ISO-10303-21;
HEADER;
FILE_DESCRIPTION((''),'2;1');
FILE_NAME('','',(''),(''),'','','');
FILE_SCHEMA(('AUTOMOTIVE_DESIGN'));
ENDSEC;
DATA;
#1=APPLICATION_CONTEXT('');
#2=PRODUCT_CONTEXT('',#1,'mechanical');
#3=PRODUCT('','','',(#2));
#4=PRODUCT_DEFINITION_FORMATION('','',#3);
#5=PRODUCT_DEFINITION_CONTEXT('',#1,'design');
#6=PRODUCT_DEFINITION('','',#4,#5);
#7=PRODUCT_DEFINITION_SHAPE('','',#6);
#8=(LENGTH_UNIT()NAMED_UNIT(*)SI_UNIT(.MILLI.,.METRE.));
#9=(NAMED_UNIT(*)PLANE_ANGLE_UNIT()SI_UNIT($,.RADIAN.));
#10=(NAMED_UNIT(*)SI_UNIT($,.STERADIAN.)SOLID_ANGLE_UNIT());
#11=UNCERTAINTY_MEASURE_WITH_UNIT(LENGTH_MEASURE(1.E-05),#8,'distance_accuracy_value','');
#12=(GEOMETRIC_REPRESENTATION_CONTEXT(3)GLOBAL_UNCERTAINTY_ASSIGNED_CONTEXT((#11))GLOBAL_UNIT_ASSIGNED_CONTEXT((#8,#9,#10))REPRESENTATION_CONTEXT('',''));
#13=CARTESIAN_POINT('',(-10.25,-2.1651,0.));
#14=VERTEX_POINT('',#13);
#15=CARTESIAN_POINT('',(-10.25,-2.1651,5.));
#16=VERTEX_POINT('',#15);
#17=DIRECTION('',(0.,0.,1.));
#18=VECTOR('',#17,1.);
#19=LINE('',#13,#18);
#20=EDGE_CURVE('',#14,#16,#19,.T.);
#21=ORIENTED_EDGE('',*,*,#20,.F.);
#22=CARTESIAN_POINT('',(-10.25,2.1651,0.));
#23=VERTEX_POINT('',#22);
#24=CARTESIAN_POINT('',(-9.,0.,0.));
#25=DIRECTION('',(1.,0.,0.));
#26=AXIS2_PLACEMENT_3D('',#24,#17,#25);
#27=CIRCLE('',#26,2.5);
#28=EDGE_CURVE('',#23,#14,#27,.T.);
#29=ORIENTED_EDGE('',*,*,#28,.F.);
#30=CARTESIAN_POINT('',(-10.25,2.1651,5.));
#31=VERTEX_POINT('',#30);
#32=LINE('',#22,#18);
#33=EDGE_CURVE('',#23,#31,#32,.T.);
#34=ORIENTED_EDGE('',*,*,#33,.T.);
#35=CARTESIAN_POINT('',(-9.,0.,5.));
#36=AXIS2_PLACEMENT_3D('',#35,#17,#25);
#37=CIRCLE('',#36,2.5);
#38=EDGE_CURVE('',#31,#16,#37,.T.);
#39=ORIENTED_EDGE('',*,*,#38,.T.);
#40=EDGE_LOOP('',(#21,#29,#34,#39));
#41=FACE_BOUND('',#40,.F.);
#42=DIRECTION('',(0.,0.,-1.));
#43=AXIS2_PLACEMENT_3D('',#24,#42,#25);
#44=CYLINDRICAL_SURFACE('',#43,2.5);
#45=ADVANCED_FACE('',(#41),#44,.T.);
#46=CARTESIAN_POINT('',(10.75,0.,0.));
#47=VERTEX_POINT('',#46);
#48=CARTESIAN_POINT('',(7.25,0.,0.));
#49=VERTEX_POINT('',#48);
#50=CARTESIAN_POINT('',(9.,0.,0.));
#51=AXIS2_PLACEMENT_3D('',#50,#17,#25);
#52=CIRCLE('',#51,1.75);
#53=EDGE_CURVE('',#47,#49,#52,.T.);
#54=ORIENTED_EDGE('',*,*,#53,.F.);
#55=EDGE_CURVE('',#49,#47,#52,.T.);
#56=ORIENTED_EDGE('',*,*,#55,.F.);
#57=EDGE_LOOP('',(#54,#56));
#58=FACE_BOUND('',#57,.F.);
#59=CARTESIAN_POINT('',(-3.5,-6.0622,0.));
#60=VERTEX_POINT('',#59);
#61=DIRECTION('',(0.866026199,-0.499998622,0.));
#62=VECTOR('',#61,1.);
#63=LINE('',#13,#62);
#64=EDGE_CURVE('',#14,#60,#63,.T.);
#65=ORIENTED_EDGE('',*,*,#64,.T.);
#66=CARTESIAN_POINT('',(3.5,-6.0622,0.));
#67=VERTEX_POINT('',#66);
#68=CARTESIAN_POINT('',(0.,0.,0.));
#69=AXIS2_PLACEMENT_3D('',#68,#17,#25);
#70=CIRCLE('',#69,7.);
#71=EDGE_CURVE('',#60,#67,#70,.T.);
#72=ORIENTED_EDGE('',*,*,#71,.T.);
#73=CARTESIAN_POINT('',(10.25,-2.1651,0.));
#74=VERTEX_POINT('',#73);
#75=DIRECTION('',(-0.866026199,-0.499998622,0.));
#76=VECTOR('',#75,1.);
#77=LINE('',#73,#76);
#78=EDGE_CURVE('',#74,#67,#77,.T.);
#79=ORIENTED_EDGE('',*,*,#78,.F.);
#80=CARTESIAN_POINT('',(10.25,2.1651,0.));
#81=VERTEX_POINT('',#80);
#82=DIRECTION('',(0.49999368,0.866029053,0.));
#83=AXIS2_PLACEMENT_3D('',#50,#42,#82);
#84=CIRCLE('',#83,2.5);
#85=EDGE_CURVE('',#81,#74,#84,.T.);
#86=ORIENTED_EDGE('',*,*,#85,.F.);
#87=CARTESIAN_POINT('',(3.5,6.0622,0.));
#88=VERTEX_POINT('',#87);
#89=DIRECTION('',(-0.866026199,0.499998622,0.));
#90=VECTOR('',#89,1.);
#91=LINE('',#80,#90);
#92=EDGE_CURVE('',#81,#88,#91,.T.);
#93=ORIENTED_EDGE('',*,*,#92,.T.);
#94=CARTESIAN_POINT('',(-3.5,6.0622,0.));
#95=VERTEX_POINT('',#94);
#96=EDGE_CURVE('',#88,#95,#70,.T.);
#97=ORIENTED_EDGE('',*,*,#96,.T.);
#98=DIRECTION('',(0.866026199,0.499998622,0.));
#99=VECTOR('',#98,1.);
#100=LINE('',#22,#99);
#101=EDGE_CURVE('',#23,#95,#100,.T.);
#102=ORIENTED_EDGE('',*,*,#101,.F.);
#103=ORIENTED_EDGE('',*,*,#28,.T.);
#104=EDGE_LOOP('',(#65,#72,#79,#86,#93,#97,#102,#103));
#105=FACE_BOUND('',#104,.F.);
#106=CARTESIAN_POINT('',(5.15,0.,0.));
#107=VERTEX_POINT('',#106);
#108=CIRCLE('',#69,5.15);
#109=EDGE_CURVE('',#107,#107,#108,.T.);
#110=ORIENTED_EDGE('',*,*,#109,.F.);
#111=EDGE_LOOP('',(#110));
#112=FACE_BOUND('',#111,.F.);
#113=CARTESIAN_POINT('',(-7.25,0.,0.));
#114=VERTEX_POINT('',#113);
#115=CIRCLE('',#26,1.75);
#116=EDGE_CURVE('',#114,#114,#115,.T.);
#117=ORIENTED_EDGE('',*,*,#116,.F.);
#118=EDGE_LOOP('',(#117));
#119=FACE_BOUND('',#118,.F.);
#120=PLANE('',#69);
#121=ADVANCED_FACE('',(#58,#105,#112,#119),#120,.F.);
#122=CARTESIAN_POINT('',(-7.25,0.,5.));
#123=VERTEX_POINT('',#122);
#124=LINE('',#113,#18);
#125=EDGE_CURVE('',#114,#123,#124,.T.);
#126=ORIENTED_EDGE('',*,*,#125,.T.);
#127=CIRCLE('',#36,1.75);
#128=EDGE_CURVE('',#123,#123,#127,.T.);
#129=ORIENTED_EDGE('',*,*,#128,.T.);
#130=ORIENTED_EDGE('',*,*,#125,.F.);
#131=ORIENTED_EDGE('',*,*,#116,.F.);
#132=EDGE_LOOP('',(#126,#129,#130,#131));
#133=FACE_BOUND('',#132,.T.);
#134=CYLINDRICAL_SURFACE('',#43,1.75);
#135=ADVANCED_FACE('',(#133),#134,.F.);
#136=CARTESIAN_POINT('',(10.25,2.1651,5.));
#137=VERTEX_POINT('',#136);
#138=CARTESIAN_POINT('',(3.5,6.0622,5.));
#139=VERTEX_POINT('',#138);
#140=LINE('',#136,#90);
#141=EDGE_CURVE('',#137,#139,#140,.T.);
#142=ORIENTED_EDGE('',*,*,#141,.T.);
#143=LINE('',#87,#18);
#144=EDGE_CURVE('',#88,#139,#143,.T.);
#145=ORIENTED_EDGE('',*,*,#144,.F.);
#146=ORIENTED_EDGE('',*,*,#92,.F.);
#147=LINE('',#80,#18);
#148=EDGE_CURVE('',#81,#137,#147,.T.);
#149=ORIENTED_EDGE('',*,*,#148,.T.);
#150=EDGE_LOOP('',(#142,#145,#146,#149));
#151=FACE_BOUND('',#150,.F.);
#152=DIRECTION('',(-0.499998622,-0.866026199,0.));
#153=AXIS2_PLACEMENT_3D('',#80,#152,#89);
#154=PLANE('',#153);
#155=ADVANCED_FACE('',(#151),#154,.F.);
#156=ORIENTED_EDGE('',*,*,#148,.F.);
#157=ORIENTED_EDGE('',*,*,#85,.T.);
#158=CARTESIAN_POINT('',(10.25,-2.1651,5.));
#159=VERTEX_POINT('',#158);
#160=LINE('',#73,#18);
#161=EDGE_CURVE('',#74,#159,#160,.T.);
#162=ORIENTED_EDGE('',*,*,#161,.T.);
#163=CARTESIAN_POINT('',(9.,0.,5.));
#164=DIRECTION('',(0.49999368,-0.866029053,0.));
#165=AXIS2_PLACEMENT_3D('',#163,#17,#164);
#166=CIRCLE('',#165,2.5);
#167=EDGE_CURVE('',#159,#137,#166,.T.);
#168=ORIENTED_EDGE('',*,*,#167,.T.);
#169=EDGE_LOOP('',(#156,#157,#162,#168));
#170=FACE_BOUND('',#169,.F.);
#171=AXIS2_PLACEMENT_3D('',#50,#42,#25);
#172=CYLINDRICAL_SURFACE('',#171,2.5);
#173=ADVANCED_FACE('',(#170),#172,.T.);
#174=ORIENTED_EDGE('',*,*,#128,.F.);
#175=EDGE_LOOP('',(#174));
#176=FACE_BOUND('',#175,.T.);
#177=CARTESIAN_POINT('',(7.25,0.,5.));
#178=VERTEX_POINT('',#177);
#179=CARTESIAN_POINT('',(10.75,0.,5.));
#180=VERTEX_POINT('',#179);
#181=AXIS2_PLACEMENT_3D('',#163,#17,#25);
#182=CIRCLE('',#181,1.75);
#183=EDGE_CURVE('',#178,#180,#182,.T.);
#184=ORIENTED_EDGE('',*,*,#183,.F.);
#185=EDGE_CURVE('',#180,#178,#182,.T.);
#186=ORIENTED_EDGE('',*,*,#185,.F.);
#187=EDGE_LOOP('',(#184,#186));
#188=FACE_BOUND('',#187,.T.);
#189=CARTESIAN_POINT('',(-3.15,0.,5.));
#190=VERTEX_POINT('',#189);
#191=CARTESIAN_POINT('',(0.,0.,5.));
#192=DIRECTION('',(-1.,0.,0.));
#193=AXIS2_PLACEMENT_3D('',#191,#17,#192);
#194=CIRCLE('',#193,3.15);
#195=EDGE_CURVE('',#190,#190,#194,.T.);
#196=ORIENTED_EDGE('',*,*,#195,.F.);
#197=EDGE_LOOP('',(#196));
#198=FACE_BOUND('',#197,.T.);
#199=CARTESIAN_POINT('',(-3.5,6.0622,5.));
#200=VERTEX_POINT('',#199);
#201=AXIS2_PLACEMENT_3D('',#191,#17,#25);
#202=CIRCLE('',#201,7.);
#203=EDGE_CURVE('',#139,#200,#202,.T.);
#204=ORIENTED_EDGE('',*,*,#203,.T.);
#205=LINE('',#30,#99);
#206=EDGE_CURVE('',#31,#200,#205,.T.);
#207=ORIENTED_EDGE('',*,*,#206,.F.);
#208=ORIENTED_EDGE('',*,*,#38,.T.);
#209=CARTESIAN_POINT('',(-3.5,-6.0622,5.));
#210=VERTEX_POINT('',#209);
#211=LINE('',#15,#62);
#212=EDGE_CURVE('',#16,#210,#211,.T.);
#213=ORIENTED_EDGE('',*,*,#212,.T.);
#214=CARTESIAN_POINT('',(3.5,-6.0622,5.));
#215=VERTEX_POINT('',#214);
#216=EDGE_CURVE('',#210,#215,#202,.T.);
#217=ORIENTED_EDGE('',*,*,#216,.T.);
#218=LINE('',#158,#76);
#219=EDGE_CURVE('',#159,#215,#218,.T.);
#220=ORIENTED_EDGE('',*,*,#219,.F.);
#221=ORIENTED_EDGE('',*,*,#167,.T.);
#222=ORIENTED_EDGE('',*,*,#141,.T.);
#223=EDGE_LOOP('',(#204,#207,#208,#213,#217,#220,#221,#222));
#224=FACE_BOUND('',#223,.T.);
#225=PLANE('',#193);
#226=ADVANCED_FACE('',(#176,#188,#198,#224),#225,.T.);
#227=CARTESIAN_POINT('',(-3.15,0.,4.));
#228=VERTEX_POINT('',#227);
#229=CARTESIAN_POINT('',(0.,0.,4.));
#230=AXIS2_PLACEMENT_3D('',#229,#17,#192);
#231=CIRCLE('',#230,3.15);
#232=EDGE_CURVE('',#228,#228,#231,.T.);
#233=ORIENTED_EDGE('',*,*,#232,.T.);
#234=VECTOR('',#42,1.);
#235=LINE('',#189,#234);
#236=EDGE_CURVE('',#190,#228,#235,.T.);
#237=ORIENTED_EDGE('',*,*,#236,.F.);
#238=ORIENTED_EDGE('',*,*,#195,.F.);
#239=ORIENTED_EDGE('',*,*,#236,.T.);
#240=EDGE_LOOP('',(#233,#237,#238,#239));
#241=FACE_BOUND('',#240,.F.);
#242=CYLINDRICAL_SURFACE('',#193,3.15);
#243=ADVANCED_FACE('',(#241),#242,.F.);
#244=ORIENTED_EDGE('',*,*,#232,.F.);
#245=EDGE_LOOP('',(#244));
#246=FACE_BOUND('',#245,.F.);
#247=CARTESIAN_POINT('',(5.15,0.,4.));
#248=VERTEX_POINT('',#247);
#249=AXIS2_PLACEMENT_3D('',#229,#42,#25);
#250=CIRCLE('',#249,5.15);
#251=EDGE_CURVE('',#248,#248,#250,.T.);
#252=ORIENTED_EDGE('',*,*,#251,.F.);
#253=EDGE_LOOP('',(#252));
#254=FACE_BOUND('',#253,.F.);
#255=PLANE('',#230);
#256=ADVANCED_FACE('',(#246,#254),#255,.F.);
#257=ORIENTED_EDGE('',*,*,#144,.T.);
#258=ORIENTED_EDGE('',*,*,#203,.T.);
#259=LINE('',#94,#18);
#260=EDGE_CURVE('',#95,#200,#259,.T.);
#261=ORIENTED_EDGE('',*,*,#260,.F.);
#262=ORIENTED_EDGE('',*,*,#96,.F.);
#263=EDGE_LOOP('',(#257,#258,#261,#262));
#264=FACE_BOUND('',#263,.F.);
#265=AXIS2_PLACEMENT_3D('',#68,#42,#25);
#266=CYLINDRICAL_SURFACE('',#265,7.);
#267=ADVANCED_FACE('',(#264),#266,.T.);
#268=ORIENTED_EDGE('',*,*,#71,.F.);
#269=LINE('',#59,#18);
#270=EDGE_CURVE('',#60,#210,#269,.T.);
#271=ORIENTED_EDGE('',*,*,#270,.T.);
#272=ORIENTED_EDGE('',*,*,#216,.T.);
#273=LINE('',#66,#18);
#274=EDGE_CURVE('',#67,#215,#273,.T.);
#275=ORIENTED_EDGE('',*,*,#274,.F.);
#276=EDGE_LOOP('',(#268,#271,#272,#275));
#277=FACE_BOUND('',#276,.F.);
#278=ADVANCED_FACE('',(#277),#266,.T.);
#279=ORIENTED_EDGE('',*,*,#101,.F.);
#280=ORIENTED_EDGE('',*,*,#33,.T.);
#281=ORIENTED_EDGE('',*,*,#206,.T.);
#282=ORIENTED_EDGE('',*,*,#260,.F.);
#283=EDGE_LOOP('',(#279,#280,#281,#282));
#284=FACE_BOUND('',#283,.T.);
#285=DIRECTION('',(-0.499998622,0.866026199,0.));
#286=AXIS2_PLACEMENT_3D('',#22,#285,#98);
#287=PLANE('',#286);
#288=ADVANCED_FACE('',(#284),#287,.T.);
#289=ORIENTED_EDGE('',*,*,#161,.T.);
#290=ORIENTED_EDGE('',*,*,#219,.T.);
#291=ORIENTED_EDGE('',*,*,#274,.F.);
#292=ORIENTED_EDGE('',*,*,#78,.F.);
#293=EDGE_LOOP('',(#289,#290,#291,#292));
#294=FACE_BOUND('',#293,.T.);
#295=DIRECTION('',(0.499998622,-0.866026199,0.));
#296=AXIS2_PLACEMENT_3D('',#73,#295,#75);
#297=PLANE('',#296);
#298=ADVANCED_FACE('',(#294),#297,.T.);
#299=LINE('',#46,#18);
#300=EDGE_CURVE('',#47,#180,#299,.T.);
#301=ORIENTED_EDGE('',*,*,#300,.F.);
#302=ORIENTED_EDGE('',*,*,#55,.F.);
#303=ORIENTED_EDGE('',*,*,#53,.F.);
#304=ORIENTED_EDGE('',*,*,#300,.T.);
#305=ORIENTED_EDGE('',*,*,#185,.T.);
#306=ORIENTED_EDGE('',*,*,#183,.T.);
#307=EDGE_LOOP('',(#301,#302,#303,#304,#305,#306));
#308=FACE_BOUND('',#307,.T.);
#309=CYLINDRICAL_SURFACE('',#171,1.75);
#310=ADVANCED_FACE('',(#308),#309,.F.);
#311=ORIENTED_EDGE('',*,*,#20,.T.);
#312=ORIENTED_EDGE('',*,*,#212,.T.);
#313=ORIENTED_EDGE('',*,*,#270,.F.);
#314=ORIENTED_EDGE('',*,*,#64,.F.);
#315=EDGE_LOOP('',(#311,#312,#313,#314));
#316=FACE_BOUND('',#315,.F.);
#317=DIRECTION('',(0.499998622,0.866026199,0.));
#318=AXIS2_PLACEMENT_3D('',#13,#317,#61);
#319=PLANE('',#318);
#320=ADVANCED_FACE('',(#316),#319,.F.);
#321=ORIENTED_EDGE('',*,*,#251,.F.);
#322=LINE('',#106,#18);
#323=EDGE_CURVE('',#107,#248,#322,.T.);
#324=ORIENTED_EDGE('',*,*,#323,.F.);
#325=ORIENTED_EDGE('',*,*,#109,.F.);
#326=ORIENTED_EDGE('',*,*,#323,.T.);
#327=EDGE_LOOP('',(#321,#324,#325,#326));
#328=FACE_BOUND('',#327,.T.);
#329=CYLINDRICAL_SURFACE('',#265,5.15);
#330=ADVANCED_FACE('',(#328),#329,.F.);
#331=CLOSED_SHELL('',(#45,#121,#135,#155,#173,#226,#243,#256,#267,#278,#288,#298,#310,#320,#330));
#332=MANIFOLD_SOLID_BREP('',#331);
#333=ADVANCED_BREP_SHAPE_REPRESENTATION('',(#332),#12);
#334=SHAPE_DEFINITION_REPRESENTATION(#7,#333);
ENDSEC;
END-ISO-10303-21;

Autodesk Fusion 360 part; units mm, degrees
sketch "Sketch1" plane through (0, 0, 0) normal (0, 0, 1) x (1, 0, 0)
  circle A0 centre (0, 0) radius 5.15
  circle A1 centre (0, 0) radius 7
  circle A2 centre (9, 0) radius 2.5
  circle A3 centre (-9, 0) radius 2.5
  circle A4 centre (-9, 0) radius 1.75
  circle A5 centre (9, 0) radius 1.75
  line L0 (-10.25, 2.1651) -> (-3.5, 6.0622)
  line L1 (-9, 0) -> (9, 0)
  line L2 (-10.25, -2.1651) -> (-3.5, -6.0622)
  line L3 (0, 12) -> (0, 15)
  line L4 (10.25, 2.1651) -> (3.5, 6.0622)
  line L5 (10.25, -2.1651) -> (3.5, -6.0622)
  dimension "d1" = 10.3
  dimension "d2" = 14
  dimension "d3" = 5
  dimension "d4" = 5
  dimension "d5" = 9
  dimension "d6" = 9
  dimension "d7" = 3.5
  dimension "d8" = 3.5
extrude "Extrude1" add sketch "Sketch1" along normal blind 5 contours A0 A1 A2 A3 L1 | A0 A1 A2 A3 L1 | A1 A2 L1 | A1 A2 L1 | A1 A3 L1 | A1 A3 L1 | A1 A2 | A1 A2 L4 | A1 A2 L5 | A1 A3 L0 | A1 A3 | A1 A3 L2
sketch "Sketch2" plane through (0, 0, 5) normal (0, 0, 1) x (-1, 0, 0)
  circle A0 centre (-9, 0) radius 1.75
  circle A1 centre (0, 0) radius 5.15
  circle A2 centre (9, 0) radius 1.75
  line L0 (-10.25, -2.1651) -> (-3.5, -6.0622)
  arc A3 (-3.5, -6.0622) -> (3.5, -6.0622) centre (0, 0) ccw
  line L1 (3.5, -6.0622) -> (10.25, -2.1651)
  arc A4 (10.25, -2.1651) -> (10.25, 2.1651) centre (9, 0) ccw
  line L2 (10.25, 2.1651) -> (3.5, 6.0622)
  arc A5 (3.5, 6.0622) -> (-3.5, 6.0622) centre (0, 0) ccw
  line L3 (-3.5, 6.0622) -> (-10.25, 2.1651)
  arc A6 (-10.25, 2.1651) -> (-10.25, -2.1651) centre (-9, 0) ccw
  circle A7 centre (0, 0) radius 3.15
  dimension "d11" = -2
extrude "Extrude2" add sketch "Sketch2" against normal blind 1 contours A1
